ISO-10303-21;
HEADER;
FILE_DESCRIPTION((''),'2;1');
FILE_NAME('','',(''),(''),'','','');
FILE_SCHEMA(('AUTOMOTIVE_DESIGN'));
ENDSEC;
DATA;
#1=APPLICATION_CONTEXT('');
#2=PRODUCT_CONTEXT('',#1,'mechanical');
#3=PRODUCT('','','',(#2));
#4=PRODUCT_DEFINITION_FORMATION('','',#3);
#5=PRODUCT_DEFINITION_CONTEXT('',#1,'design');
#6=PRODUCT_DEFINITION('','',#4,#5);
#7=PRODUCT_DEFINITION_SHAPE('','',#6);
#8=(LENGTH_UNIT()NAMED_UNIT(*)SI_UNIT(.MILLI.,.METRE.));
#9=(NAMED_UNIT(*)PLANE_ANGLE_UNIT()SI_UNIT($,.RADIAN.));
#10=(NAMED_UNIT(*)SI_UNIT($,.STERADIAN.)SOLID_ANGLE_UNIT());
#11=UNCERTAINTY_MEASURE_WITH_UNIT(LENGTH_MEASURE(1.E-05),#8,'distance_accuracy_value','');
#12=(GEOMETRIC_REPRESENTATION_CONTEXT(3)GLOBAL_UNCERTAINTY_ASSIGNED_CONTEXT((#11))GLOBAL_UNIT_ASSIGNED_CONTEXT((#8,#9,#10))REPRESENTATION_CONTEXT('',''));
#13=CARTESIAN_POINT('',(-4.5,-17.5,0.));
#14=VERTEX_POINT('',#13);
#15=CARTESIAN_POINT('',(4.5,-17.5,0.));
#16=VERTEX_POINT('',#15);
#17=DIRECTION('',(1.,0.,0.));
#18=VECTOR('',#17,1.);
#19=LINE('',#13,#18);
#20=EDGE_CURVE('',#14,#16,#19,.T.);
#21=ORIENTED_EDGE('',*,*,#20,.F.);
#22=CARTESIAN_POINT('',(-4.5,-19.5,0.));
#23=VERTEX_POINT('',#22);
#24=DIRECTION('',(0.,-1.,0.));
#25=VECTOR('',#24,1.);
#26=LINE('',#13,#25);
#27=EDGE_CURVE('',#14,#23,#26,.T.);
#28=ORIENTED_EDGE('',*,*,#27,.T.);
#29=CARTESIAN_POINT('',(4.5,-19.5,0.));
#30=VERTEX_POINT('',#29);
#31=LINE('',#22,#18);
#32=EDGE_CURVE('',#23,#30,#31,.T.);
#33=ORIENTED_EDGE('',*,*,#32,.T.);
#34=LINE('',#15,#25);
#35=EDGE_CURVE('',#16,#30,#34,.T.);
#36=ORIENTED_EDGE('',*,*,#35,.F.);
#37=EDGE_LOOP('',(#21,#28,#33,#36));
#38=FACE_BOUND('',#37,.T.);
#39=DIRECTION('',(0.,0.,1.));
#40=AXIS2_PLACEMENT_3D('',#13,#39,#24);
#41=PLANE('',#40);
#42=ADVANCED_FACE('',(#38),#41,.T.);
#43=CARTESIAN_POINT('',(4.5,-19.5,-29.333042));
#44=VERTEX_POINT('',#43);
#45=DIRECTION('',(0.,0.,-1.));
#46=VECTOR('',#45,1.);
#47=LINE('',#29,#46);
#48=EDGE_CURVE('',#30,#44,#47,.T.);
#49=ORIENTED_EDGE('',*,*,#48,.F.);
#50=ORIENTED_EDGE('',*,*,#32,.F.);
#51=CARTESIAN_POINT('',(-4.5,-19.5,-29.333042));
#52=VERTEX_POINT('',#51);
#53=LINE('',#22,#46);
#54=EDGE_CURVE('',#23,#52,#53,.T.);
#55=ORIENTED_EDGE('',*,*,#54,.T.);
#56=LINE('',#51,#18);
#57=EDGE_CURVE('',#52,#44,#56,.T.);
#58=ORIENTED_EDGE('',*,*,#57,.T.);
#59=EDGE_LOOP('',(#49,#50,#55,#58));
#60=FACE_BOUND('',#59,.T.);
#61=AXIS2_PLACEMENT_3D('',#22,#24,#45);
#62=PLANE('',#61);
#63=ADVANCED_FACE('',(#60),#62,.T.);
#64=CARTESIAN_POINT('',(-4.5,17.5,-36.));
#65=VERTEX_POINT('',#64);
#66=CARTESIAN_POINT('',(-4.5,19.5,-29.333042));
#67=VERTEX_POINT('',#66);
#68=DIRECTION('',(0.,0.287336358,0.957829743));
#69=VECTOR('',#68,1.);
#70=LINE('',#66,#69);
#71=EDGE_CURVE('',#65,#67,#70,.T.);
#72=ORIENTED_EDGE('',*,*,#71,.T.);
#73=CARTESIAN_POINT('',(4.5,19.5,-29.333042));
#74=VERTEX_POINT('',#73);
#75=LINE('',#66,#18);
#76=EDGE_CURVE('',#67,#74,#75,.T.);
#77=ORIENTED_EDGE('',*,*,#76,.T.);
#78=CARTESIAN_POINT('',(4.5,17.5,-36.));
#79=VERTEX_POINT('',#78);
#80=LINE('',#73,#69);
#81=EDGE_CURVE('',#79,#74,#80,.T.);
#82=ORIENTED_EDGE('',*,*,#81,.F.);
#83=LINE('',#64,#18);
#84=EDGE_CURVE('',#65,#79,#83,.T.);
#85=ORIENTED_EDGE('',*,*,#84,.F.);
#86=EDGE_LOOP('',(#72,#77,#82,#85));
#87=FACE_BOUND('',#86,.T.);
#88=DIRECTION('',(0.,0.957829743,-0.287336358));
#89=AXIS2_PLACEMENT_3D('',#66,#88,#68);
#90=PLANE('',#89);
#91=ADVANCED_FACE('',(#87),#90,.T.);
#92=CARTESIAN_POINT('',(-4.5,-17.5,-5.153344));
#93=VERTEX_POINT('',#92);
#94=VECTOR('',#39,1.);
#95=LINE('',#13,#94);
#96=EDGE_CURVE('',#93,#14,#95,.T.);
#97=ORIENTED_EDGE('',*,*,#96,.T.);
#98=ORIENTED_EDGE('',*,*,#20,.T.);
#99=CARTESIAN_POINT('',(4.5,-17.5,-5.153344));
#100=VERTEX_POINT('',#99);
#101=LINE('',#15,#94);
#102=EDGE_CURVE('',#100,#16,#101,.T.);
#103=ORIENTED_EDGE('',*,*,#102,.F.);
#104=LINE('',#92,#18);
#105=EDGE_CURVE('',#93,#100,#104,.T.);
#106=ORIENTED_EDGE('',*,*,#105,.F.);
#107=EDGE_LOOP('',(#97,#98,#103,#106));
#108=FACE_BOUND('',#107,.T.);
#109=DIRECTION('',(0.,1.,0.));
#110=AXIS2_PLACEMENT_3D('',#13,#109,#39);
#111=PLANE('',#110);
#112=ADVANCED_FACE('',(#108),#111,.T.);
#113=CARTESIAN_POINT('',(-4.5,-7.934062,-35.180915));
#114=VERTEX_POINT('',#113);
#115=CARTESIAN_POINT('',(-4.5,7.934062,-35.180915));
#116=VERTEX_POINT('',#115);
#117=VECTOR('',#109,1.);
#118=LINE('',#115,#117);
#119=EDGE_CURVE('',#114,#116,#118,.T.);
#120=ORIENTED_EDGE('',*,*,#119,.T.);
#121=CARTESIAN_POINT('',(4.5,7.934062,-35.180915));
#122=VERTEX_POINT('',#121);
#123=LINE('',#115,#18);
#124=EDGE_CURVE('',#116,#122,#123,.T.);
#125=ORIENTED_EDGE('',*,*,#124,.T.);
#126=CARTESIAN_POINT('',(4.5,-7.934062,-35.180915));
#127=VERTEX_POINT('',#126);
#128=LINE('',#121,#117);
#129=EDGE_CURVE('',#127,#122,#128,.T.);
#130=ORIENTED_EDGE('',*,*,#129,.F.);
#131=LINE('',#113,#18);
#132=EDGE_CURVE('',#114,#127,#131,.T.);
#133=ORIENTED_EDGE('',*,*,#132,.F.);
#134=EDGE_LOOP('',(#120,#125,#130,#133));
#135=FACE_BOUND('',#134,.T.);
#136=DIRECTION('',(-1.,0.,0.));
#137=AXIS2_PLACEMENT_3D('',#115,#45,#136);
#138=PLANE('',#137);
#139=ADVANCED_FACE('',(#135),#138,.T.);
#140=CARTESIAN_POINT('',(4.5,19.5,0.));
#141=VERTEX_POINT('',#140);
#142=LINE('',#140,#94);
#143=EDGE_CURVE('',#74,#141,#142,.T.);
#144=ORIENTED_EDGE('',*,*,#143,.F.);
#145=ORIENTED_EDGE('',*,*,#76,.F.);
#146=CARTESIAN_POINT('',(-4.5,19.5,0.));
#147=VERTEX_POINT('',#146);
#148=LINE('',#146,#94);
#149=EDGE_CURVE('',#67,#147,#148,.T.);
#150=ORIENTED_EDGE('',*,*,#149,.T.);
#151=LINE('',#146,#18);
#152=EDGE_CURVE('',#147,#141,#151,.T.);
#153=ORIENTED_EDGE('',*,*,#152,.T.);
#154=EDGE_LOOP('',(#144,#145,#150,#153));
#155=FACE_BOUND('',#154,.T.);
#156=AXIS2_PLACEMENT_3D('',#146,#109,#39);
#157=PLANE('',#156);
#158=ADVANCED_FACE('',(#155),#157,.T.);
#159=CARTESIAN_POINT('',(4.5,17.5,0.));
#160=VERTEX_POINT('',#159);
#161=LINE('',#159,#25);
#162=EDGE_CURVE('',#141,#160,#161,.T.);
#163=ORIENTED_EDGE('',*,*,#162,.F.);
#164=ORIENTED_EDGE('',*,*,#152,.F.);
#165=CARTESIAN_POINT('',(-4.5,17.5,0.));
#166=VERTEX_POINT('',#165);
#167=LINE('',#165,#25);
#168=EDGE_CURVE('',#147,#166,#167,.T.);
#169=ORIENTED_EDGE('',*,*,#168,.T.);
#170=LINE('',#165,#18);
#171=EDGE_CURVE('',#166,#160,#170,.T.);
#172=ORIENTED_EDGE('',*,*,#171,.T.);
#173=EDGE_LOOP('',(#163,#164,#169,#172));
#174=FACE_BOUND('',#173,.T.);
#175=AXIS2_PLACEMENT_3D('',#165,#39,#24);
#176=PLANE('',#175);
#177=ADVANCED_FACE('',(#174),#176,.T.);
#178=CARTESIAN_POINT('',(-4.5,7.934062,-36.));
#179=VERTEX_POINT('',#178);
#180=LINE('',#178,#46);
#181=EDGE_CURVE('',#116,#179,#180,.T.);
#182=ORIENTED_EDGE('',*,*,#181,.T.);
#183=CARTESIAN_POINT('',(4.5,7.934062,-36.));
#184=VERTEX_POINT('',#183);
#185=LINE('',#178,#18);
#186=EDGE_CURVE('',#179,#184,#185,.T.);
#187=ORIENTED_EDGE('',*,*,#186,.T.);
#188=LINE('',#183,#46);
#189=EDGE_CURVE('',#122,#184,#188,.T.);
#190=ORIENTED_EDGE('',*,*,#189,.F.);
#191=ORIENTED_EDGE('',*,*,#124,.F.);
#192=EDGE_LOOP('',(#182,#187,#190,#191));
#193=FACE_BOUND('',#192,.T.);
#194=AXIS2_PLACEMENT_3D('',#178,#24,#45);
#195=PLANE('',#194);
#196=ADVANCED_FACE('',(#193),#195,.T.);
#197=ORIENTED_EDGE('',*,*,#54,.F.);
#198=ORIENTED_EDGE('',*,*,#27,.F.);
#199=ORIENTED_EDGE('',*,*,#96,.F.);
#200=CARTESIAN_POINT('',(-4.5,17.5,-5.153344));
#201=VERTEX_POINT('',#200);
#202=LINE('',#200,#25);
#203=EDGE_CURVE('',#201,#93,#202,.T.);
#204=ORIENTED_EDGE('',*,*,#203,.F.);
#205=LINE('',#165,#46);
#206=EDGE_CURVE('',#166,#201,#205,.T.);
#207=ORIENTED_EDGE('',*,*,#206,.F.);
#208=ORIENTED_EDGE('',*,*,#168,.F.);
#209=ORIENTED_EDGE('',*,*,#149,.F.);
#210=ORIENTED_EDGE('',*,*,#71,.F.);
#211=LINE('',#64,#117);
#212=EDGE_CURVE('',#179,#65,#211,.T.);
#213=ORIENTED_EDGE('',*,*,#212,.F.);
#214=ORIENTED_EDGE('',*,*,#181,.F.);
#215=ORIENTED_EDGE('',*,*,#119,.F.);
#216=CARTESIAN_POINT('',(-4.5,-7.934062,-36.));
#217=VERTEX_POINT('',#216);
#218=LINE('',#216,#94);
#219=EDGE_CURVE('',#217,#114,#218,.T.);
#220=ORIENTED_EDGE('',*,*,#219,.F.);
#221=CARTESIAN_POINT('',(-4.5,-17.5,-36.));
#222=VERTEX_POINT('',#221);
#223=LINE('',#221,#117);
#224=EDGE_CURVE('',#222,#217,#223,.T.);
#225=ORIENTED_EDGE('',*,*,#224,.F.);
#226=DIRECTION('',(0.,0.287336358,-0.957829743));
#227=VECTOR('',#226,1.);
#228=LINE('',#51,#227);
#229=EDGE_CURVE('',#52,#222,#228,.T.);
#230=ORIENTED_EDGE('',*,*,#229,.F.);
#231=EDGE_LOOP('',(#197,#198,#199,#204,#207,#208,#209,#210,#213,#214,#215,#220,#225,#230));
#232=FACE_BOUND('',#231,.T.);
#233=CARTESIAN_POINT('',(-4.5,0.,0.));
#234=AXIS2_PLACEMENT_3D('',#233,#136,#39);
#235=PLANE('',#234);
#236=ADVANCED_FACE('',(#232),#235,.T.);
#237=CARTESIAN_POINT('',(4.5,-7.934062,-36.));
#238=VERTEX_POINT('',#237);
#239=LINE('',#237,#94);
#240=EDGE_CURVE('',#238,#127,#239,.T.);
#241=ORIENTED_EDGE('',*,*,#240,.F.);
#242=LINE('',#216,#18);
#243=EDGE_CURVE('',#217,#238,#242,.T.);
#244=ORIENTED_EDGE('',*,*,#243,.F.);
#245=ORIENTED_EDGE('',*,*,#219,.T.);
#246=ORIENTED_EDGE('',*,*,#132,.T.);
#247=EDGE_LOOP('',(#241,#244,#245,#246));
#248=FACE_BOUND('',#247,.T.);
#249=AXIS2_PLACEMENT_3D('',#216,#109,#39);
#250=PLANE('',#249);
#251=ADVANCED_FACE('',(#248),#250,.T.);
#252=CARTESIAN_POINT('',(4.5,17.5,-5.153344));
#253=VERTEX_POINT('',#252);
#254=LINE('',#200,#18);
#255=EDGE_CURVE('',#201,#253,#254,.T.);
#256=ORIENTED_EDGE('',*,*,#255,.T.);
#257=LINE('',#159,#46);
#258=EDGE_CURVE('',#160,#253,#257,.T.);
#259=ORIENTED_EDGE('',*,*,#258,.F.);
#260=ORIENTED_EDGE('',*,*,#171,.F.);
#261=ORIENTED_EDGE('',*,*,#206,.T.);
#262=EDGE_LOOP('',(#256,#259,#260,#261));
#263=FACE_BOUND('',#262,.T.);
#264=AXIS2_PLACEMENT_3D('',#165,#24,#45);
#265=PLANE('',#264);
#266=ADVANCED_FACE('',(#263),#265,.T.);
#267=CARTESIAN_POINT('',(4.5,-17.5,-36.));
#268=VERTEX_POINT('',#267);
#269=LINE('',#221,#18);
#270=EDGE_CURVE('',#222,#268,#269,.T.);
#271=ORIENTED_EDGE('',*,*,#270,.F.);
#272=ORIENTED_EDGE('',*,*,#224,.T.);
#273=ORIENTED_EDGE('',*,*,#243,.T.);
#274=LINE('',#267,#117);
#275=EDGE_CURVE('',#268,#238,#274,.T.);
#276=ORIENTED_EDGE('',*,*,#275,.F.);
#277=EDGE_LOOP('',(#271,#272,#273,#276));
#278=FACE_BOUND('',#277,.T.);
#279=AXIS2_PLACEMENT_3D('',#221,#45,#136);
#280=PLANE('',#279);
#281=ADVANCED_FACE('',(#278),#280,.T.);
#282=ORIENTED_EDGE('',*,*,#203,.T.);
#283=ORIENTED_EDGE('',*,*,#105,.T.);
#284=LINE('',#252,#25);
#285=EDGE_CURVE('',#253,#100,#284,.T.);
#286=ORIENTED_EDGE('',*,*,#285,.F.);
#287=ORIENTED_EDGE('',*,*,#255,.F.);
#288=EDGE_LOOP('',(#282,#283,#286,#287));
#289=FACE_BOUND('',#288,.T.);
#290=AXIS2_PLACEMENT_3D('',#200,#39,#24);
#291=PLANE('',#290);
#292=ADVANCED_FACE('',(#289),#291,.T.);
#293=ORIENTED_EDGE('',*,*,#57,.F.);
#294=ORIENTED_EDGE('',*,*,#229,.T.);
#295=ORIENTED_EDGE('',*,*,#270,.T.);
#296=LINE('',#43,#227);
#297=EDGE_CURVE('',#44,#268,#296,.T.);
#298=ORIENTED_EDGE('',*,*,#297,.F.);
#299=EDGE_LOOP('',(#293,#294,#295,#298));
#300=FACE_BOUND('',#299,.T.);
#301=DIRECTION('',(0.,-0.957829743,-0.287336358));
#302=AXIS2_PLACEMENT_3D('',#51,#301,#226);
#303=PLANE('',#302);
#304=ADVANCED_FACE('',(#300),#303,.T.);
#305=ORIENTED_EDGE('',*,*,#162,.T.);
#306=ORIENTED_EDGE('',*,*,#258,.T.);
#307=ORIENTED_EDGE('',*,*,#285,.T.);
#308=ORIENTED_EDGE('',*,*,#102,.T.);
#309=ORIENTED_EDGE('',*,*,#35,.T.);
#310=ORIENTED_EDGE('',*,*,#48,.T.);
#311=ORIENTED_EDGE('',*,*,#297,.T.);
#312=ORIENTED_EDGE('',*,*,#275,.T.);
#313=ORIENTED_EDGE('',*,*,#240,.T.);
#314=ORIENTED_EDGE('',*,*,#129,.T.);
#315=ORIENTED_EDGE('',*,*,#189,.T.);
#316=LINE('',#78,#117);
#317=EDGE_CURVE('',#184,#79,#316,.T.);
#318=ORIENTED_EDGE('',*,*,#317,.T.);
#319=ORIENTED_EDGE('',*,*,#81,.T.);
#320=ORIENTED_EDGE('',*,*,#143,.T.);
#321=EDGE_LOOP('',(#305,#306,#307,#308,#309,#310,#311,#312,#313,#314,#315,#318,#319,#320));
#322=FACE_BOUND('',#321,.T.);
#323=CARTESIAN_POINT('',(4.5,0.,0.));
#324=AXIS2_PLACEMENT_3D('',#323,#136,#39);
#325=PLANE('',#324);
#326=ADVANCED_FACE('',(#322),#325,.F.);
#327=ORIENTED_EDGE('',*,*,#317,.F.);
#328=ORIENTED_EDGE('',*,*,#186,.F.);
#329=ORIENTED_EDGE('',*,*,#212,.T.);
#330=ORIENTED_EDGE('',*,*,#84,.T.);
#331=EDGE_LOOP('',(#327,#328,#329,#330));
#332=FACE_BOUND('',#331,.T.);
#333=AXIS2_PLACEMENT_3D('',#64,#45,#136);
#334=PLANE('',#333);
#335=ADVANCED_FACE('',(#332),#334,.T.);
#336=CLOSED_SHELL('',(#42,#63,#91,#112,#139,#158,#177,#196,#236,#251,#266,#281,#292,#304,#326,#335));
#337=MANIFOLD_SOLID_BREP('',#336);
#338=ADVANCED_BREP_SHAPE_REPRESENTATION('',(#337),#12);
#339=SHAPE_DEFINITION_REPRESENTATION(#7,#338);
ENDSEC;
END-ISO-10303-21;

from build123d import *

# Parameters (mm, degrees)
EXTRUDE_1_DEPTH      = 4.5
EXTRUDE_1_DEPTH_BACK = 4.5


with BuildPart() as part:
    # 草图1 → 凸台-拉伸1 (new, two sides: drawn at the far end of the back side and taken through both)
    with BuildSketch(Plane(origin=(0, 0, 0), x_dir=(0, 0, -1), z_dir=(1, 0, 0)).offset(-EXTRUDE_1_DEPTH_BACK)):
        Polygon((0, 17.5), (0, 19.5), (29.3330418, 19.5), (36, 17.5), (36, 7.934061775), (35.180915007, 7.934061775), (35.180915007, -7.934061775), (36, -7.934061775), (36, -17.5), (29.3330418, -19.5), (0, -19.5), (0, -17.5), (5.153343524, -17.5), (5.153343524, 17.5), align=None)
    extrude(amount=EXTRUDE_1_DEPTH + EXTRUDE_1_DEPTH_BACK)


solid = part.part
